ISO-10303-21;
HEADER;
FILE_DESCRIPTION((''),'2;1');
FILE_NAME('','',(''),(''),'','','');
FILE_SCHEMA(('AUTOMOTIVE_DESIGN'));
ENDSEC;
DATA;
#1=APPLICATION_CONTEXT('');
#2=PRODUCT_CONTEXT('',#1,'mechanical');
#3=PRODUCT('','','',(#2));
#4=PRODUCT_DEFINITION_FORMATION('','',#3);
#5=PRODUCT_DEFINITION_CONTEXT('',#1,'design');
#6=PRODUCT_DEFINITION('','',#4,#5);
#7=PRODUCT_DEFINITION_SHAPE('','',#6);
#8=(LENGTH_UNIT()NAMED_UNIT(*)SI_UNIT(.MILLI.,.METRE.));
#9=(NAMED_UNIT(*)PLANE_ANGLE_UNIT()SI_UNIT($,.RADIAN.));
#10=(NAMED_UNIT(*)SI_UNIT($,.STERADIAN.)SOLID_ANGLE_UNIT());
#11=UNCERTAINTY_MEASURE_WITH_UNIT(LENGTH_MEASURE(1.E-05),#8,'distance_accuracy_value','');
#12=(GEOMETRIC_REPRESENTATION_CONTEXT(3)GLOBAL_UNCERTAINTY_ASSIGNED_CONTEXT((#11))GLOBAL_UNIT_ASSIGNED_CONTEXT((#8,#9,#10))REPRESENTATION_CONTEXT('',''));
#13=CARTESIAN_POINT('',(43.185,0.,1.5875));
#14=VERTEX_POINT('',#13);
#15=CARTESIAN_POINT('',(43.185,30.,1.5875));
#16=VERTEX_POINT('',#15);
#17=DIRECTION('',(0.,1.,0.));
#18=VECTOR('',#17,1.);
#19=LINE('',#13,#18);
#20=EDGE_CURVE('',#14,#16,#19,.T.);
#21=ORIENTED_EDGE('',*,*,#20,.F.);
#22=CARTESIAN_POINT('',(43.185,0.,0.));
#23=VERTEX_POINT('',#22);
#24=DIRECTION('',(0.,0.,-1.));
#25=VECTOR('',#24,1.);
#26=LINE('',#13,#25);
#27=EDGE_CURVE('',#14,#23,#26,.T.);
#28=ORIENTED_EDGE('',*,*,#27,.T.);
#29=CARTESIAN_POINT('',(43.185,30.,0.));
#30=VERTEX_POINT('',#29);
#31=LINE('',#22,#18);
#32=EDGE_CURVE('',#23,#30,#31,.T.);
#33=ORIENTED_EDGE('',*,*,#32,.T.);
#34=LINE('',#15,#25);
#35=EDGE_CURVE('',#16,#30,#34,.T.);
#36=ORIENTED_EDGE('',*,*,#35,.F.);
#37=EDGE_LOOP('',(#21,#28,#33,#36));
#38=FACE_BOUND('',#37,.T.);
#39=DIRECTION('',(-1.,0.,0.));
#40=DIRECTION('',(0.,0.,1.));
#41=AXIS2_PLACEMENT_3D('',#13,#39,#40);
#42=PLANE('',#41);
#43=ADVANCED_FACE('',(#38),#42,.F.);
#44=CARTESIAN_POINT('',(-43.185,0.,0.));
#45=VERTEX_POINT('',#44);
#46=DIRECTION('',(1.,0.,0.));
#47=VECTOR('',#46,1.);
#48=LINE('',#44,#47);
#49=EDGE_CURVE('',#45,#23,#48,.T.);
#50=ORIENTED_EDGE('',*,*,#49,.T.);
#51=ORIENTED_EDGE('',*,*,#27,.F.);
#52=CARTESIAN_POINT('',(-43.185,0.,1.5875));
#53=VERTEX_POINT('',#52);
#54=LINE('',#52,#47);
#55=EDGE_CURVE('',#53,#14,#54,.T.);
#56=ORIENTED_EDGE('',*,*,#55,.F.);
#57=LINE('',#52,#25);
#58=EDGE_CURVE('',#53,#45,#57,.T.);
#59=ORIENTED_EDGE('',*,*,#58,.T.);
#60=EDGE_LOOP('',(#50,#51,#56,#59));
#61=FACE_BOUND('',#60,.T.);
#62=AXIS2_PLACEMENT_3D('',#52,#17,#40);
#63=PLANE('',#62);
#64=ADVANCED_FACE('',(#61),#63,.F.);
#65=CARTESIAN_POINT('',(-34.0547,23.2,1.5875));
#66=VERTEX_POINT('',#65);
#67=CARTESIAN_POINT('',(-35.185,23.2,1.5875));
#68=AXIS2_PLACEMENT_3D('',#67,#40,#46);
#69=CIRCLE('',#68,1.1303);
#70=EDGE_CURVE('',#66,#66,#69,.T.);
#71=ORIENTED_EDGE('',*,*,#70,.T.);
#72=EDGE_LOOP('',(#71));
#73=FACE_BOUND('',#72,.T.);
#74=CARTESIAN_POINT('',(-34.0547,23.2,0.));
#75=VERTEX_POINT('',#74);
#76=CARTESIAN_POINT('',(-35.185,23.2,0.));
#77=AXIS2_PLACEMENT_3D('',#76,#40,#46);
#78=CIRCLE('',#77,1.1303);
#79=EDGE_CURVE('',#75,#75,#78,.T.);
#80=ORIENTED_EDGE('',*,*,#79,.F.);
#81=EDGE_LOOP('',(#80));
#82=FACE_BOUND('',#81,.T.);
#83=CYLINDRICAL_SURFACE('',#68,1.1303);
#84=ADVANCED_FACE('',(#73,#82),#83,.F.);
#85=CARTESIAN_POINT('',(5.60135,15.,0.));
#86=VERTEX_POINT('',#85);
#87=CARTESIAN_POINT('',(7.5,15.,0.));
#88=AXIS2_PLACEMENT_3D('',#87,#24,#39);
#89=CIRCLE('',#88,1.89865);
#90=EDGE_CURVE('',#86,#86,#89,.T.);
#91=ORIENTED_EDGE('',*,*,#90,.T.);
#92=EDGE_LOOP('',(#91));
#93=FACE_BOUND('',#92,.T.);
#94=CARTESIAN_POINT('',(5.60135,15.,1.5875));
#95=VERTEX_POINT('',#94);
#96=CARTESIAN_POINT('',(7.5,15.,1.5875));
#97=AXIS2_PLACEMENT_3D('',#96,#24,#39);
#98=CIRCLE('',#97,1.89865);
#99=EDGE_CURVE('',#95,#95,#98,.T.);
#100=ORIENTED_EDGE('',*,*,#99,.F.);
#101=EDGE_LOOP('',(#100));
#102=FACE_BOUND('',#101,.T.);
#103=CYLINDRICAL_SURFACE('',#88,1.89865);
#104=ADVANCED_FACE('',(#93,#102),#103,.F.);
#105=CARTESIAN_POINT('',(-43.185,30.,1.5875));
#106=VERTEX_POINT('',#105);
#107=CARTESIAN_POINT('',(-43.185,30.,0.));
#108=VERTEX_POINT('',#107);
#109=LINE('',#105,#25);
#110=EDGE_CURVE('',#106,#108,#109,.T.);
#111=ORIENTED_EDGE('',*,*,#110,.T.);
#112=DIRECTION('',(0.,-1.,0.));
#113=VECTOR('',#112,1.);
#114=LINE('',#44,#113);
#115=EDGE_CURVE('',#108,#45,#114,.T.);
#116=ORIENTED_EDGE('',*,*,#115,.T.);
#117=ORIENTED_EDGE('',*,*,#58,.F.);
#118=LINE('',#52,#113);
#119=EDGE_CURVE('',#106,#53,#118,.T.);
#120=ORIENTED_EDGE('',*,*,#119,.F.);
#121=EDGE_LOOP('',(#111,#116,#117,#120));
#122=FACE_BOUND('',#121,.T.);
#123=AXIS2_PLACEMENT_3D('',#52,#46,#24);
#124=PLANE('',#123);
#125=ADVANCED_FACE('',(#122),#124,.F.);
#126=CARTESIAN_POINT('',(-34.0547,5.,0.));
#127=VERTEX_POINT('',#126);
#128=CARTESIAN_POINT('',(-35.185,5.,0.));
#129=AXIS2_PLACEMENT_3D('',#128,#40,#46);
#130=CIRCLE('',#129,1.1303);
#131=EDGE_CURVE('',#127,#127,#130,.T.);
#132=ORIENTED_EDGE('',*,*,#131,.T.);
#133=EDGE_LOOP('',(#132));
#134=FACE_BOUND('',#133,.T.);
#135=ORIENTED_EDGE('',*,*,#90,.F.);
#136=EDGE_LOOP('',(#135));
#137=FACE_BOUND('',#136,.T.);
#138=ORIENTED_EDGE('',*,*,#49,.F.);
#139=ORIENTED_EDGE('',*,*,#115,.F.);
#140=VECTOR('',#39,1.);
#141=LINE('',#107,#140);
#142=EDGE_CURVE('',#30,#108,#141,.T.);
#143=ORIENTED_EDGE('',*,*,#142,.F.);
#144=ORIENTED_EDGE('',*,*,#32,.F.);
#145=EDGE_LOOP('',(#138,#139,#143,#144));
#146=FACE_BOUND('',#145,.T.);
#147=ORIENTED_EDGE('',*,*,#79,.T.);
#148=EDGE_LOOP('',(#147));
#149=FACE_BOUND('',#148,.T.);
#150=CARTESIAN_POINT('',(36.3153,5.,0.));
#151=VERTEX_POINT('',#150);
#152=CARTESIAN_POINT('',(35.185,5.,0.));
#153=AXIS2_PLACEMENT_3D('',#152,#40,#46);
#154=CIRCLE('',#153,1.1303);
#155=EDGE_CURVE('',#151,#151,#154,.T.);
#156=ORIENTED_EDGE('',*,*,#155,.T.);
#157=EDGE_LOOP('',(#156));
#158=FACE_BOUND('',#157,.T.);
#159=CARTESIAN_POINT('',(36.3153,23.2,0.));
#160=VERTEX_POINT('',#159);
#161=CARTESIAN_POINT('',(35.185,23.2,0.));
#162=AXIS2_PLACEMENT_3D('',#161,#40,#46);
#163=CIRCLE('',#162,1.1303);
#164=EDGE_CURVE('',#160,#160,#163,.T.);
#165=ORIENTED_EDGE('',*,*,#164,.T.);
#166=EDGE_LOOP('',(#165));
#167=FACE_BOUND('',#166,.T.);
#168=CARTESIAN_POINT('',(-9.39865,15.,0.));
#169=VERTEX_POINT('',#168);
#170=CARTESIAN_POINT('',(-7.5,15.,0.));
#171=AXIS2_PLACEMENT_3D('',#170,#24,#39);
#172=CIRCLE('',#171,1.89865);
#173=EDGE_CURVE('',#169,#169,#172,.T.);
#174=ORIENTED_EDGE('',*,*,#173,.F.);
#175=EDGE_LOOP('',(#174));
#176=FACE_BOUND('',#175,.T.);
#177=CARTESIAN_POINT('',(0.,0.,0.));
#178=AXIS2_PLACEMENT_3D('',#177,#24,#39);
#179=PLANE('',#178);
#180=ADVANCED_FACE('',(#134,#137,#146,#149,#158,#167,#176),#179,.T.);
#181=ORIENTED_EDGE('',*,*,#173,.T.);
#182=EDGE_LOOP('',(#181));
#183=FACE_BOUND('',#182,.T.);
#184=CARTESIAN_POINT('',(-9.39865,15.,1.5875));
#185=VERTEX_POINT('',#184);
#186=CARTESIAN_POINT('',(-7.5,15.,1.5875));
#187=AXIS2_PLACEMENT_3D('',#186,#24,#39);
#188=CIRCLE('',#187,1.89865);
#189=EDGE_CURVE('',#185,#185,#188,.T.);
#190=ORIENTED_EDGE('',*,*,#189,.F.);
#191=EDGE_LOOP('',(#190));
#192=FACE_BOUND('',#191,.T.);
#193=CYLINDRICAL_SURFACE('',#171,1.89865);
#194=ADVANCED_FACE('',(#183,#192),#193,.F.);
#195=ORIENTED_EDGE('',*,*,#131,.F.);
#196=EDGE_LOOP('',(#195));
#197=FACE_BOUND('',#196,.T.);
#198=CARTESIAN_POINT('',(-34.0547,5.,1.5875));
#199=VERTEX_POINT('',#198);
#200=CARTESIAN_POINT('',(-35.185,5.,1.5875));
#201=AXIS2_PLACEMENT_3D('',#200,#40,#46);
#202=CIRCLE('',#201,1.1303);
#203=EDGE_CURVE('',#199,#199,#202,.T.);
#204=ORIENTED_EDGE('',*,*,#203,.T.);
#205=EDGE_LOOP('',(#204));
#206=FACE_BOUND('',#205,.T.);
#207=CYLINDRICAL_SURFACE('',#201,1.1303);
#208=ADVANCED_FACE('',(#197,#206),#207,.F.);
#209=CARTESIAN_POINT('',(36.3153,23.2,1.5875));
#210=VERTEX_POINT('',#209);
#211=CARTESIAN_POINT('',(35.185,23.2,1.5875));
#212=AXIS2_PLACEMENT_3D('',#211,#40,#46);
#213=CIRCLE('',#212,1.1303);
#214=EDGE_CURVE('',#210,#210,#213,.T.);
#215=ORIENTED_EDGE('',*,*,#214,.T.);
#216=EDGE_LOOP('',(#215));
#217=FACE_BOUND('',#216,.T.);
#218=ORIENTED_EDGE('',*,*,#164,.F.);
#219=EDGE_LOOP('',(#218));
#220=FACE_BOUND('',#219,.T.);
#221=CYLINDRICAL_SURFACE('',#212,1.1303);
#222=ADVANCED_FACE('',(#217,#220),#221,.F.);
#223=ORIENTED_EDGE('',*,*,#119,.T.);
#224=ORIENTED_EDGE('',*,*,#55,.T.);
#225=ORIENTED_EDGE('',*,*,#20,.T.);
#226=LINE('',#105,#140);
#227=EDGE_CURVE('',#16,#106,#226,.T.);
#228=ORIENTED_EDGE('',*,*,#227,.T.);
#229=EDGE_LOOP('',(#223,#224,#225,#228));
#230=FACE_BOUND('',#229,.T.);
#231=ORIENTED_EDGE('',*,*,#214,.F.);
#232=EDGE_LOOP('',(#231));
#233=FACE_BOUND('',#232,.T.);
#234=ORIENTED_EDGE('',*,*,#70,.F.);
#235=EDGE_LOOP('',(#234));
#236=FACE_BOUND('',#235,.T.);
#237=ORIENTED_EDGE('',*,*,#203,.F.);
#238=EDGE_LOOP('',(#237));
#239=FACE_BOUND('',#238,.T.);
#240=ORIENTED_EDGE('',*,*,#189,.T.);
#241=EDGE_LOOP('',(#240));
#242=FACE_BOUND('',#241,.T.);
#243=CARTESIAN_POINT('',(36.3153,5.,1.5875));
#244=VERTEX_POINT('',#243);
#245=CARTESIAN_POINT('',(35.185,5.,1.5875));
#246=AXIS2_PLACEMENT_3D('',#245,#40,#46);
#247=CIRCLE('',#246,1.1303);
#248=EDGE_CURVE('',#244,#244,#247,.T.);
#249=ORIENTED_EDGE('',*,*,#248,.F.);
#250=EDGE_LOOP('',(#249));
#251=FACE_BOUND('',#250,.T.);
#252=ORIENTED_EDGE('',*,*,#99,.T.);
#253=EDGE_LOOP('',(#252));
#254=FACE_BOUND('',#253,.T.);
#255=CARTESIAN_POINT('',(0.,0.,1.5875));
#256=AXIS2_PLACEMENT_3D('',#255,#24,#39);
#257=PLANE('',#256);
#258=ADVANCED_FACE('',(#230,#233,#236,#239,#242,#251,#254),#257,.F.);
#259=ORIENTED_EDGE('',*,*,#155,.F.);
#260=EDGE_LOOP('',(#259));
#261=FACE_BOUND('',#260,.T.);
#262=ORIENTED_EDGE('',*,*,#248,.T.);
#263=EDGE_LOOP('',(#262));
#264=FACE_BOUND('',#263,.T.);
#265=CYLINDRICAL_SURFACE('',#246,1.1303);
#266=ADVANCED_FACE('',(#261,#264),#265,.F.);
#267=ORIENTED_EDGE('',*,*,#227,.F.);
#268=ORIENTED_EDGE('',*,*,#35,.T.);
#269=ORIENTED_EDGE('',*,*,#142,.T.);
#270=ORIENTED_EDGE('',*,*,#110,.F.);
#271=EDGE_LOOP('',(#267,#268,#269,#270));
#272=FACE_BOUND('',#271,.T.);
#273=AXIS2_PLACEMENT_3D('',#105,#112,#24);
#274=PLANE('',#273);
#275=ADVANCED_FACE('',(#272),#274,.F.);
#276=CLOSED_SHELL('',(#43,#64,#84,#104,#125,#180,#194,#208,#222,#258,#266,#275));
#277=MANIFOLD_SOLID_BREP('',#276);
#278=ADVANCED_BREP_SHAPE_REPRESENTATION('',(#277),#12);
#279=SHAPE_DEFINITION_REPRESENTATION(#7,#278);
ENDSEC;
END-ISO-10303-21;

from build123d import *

# Parameters (mm, degrees)
SKETCH2_W             = 86.37
SKETCH2_H             = 30
BOSS_EXTRUDE1_DEPTH   = 1.5875
F_1_CLEARANCE_HOLE1_D = 2.2606
F_6_CLEARANCE_HOLE1_D = 3.7973


with BuildPart() as part:
    # Sketch2 → Boss-Extrude1 (new body)
    with BuildSketch(Plane.XY):
        with Locations((0, 15)):
            Rectangle(SKETCH2_W, SKETCH2_H)
    extrude(amount=BOSS_EXTRUDE1_DEPTH)

    # #1 Clearance Hole1 (through all)
    with Locations(Plane.XY.offset(1.5875)):
        with Locations((35.185, 23.2), (35.185, 5), (-35.185, 5), (-35.185, 23.2)):
            Hole(F_1_CLEARANCE_HOLE1_D / 2)

    # #6 Clearance Hole1 (through all)
    with Locations(Plane(origin=(0, 0, 0), x_dir=(-1, 0, 0), z_dir=(0, 0, -1))):
        with Locations((7.5, 15), (-7.5, 15)):
            Hole(F_6_CLEARANCE_HOLE1_D / 2)


solid = part.part
